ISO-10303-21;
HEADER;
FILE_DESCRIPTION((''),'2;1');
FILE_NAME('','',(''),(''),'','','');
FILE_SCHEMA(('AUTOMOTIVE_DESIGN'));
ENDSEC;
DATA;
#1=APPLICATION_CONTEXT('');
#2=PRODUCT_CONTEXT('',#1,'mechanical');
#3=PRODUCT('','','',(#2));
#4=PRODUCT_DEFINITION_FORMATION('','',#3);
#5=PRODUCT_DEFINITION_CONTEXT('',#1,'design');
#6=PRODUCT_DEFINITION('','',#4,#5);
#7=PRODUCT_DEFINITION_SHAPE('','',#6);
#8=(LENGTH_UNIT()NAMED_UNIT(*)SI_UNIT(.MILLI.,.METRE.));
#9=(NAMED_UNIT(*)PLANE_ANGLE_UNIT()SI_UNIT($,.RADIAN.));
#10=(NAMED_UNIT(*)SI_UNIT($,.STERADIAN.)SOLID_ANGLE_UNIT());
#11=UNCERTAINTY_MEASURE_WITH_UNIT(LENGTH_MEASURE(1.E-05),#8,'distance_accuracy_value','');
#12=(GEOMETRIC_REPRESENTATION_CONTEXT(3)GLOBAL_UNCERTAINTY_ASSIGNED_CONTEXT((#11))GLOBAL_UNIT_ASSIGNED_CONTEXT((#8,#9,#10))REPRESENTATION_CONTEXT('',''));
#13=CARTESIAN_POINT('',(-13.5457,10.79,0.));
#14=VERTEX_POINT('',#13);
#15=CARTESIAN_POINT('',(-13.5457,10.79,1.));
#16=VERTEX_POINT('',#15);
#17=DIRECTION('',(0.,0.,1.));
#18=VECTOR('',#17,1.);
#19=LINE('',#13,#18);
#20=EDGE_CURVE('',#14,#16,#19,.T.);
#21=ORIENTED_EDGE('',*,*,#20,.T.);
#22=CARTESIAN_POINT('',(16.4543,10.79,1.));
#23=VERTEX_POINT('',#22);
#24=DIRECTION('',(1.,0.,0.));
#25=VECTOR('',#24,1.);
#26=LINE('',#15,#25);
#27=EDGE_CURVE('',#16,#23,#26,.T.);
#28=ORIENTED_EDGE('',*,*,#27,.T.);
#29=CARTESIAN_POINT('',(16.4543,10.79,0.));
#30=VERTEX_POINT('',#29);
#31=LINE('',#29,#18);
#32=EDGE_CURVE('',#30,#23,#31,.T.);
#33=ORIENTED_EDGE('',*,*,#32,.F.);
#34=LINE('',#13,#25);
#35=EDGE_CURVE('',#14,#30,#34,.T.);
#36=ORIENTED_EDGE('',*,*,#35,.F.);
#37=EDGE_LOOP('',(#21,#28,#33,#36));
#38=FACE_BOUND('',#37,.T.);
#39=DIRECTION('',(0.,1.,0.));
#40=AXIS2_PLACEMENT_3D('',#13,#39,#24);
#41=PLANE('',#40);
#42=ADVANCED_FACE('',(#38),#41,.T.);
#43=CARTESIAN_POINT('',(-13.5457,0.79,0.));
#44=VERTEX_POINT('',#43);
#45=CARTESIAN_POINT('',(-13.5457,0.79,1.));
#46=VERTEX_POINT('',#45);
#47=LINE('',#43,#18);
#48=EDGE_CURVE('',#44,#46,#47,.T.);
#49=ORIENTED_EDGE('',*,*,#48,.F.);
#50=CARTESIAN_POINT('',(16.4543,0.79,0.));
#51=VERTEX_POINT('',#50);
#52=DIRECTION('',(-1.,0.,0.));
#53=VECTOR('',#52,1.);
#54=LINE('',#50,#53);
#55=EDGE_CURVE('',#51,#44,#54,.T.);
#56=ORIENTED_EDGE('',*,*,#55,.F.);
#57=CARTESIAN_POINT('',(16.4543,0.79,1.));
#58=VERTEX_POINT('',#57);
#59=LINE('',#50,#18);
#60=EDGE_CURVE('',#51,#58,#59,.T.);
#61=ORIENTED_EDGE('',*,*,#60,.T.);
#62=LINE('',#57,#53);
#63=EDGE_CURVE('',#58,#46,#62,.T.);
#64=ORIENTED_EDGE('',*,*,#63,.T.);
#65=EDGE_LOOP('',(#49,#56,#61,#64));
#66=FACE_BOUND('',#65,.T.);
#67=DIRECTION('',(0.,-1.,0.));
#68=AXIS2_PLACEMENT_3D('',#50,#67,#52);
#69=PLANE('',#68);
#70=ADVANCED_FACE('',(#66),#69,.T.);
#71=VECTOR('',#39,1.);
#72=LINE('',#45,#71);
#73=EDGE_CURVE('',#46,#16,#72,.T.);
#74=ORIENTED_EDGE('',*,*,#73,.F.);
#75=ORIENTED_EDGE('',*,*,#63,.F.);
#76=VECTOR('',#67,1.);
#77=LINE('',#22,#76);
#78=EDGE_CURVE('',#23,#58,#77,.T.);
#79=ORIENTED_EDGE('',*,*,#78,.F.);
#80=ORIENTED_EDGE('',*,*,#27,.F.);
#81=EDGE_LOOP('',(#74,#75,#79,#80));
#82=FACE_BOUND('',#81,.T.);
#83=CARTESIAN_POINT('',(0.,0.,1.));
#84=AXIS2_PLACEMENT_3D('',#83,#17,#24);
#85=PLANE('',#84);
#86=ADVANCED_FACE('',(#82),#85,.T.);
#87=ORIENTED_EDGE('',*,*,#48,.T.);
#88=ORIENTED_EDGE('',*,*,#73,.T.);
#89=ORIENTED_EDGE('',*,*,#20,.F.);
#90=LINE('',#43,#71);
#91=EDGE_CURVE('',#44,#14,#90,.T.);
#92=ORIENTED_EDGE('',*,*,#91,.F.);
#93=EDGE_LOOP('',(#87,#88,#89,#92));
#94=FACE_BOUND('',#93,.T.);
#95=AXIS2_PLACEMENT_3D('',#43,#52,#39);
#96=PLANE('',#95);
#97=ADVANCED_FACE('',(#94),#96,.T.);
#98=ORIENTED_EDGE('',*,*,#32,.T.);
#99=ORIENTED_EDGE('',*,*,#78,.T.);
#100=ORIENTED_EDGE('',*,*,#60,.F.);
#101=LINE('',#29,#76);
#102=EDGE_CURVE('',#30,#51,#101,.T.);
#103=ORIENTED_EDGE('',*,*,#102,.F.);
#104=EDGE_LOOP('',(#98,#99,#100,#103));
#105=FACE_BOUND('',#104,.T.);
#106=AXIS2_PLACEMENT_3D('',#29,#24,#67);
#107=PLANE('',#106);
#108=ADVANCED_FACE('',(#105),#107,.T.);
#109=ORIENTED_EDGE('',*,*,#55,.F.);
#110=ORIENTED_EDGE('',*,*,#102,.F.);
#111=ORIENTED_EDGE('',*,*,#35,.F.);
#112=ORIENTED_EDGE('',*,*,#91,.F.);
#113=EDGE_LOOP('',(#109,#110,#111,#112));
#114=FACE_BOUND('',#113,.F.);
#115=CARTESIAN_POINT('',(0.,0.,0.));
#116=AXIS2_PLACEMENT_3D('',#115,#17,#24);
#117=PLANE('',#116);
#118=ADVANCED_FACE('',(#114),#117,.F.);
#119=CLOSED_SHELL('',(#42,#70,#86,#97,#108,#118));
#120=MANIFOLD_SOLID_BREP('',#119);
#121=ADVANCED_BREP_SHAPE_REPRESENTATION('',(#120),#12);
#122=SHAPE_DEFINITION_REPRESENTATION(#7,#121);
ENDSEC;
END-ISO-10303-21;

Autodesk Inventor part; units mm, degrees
ref_plane "YZ Plane" through (0, 0, 0) normal (1, 0, 0) x (0, 1, 0)
ref_plane "XZ Plane" through (0, 0, 0) normal (0, 1, 0) x (-1, 0, 0)
ref_plane "XY Plane" through (0, 0, 0) normal (0, 0, 1) x (1, 0, 0)
sketch "Sketch1" plane through (0, 0, 0) normal (0, 0, 1) x (1, 0, 0)
  line L0 (-13.5457, 10.79) -> (16.4543, 10.79)
  line L1 (16.4543, 10.79) -> (16.4543, 0.79)
  line L2 (16.4543, 0.79) -> (-13.5457, 0.79)
  line L3 (-13.5457, 0.79) -> (-13.5457, 10.79)
  point P0 (0, 0)
  dimension "d0" = 30
  dimension "d1" = 10
extrude "Extrusion1" add sketch "Sketch1" along normal blind 1
properties part number "Eyebrow1" material "Wood (Maple)"
